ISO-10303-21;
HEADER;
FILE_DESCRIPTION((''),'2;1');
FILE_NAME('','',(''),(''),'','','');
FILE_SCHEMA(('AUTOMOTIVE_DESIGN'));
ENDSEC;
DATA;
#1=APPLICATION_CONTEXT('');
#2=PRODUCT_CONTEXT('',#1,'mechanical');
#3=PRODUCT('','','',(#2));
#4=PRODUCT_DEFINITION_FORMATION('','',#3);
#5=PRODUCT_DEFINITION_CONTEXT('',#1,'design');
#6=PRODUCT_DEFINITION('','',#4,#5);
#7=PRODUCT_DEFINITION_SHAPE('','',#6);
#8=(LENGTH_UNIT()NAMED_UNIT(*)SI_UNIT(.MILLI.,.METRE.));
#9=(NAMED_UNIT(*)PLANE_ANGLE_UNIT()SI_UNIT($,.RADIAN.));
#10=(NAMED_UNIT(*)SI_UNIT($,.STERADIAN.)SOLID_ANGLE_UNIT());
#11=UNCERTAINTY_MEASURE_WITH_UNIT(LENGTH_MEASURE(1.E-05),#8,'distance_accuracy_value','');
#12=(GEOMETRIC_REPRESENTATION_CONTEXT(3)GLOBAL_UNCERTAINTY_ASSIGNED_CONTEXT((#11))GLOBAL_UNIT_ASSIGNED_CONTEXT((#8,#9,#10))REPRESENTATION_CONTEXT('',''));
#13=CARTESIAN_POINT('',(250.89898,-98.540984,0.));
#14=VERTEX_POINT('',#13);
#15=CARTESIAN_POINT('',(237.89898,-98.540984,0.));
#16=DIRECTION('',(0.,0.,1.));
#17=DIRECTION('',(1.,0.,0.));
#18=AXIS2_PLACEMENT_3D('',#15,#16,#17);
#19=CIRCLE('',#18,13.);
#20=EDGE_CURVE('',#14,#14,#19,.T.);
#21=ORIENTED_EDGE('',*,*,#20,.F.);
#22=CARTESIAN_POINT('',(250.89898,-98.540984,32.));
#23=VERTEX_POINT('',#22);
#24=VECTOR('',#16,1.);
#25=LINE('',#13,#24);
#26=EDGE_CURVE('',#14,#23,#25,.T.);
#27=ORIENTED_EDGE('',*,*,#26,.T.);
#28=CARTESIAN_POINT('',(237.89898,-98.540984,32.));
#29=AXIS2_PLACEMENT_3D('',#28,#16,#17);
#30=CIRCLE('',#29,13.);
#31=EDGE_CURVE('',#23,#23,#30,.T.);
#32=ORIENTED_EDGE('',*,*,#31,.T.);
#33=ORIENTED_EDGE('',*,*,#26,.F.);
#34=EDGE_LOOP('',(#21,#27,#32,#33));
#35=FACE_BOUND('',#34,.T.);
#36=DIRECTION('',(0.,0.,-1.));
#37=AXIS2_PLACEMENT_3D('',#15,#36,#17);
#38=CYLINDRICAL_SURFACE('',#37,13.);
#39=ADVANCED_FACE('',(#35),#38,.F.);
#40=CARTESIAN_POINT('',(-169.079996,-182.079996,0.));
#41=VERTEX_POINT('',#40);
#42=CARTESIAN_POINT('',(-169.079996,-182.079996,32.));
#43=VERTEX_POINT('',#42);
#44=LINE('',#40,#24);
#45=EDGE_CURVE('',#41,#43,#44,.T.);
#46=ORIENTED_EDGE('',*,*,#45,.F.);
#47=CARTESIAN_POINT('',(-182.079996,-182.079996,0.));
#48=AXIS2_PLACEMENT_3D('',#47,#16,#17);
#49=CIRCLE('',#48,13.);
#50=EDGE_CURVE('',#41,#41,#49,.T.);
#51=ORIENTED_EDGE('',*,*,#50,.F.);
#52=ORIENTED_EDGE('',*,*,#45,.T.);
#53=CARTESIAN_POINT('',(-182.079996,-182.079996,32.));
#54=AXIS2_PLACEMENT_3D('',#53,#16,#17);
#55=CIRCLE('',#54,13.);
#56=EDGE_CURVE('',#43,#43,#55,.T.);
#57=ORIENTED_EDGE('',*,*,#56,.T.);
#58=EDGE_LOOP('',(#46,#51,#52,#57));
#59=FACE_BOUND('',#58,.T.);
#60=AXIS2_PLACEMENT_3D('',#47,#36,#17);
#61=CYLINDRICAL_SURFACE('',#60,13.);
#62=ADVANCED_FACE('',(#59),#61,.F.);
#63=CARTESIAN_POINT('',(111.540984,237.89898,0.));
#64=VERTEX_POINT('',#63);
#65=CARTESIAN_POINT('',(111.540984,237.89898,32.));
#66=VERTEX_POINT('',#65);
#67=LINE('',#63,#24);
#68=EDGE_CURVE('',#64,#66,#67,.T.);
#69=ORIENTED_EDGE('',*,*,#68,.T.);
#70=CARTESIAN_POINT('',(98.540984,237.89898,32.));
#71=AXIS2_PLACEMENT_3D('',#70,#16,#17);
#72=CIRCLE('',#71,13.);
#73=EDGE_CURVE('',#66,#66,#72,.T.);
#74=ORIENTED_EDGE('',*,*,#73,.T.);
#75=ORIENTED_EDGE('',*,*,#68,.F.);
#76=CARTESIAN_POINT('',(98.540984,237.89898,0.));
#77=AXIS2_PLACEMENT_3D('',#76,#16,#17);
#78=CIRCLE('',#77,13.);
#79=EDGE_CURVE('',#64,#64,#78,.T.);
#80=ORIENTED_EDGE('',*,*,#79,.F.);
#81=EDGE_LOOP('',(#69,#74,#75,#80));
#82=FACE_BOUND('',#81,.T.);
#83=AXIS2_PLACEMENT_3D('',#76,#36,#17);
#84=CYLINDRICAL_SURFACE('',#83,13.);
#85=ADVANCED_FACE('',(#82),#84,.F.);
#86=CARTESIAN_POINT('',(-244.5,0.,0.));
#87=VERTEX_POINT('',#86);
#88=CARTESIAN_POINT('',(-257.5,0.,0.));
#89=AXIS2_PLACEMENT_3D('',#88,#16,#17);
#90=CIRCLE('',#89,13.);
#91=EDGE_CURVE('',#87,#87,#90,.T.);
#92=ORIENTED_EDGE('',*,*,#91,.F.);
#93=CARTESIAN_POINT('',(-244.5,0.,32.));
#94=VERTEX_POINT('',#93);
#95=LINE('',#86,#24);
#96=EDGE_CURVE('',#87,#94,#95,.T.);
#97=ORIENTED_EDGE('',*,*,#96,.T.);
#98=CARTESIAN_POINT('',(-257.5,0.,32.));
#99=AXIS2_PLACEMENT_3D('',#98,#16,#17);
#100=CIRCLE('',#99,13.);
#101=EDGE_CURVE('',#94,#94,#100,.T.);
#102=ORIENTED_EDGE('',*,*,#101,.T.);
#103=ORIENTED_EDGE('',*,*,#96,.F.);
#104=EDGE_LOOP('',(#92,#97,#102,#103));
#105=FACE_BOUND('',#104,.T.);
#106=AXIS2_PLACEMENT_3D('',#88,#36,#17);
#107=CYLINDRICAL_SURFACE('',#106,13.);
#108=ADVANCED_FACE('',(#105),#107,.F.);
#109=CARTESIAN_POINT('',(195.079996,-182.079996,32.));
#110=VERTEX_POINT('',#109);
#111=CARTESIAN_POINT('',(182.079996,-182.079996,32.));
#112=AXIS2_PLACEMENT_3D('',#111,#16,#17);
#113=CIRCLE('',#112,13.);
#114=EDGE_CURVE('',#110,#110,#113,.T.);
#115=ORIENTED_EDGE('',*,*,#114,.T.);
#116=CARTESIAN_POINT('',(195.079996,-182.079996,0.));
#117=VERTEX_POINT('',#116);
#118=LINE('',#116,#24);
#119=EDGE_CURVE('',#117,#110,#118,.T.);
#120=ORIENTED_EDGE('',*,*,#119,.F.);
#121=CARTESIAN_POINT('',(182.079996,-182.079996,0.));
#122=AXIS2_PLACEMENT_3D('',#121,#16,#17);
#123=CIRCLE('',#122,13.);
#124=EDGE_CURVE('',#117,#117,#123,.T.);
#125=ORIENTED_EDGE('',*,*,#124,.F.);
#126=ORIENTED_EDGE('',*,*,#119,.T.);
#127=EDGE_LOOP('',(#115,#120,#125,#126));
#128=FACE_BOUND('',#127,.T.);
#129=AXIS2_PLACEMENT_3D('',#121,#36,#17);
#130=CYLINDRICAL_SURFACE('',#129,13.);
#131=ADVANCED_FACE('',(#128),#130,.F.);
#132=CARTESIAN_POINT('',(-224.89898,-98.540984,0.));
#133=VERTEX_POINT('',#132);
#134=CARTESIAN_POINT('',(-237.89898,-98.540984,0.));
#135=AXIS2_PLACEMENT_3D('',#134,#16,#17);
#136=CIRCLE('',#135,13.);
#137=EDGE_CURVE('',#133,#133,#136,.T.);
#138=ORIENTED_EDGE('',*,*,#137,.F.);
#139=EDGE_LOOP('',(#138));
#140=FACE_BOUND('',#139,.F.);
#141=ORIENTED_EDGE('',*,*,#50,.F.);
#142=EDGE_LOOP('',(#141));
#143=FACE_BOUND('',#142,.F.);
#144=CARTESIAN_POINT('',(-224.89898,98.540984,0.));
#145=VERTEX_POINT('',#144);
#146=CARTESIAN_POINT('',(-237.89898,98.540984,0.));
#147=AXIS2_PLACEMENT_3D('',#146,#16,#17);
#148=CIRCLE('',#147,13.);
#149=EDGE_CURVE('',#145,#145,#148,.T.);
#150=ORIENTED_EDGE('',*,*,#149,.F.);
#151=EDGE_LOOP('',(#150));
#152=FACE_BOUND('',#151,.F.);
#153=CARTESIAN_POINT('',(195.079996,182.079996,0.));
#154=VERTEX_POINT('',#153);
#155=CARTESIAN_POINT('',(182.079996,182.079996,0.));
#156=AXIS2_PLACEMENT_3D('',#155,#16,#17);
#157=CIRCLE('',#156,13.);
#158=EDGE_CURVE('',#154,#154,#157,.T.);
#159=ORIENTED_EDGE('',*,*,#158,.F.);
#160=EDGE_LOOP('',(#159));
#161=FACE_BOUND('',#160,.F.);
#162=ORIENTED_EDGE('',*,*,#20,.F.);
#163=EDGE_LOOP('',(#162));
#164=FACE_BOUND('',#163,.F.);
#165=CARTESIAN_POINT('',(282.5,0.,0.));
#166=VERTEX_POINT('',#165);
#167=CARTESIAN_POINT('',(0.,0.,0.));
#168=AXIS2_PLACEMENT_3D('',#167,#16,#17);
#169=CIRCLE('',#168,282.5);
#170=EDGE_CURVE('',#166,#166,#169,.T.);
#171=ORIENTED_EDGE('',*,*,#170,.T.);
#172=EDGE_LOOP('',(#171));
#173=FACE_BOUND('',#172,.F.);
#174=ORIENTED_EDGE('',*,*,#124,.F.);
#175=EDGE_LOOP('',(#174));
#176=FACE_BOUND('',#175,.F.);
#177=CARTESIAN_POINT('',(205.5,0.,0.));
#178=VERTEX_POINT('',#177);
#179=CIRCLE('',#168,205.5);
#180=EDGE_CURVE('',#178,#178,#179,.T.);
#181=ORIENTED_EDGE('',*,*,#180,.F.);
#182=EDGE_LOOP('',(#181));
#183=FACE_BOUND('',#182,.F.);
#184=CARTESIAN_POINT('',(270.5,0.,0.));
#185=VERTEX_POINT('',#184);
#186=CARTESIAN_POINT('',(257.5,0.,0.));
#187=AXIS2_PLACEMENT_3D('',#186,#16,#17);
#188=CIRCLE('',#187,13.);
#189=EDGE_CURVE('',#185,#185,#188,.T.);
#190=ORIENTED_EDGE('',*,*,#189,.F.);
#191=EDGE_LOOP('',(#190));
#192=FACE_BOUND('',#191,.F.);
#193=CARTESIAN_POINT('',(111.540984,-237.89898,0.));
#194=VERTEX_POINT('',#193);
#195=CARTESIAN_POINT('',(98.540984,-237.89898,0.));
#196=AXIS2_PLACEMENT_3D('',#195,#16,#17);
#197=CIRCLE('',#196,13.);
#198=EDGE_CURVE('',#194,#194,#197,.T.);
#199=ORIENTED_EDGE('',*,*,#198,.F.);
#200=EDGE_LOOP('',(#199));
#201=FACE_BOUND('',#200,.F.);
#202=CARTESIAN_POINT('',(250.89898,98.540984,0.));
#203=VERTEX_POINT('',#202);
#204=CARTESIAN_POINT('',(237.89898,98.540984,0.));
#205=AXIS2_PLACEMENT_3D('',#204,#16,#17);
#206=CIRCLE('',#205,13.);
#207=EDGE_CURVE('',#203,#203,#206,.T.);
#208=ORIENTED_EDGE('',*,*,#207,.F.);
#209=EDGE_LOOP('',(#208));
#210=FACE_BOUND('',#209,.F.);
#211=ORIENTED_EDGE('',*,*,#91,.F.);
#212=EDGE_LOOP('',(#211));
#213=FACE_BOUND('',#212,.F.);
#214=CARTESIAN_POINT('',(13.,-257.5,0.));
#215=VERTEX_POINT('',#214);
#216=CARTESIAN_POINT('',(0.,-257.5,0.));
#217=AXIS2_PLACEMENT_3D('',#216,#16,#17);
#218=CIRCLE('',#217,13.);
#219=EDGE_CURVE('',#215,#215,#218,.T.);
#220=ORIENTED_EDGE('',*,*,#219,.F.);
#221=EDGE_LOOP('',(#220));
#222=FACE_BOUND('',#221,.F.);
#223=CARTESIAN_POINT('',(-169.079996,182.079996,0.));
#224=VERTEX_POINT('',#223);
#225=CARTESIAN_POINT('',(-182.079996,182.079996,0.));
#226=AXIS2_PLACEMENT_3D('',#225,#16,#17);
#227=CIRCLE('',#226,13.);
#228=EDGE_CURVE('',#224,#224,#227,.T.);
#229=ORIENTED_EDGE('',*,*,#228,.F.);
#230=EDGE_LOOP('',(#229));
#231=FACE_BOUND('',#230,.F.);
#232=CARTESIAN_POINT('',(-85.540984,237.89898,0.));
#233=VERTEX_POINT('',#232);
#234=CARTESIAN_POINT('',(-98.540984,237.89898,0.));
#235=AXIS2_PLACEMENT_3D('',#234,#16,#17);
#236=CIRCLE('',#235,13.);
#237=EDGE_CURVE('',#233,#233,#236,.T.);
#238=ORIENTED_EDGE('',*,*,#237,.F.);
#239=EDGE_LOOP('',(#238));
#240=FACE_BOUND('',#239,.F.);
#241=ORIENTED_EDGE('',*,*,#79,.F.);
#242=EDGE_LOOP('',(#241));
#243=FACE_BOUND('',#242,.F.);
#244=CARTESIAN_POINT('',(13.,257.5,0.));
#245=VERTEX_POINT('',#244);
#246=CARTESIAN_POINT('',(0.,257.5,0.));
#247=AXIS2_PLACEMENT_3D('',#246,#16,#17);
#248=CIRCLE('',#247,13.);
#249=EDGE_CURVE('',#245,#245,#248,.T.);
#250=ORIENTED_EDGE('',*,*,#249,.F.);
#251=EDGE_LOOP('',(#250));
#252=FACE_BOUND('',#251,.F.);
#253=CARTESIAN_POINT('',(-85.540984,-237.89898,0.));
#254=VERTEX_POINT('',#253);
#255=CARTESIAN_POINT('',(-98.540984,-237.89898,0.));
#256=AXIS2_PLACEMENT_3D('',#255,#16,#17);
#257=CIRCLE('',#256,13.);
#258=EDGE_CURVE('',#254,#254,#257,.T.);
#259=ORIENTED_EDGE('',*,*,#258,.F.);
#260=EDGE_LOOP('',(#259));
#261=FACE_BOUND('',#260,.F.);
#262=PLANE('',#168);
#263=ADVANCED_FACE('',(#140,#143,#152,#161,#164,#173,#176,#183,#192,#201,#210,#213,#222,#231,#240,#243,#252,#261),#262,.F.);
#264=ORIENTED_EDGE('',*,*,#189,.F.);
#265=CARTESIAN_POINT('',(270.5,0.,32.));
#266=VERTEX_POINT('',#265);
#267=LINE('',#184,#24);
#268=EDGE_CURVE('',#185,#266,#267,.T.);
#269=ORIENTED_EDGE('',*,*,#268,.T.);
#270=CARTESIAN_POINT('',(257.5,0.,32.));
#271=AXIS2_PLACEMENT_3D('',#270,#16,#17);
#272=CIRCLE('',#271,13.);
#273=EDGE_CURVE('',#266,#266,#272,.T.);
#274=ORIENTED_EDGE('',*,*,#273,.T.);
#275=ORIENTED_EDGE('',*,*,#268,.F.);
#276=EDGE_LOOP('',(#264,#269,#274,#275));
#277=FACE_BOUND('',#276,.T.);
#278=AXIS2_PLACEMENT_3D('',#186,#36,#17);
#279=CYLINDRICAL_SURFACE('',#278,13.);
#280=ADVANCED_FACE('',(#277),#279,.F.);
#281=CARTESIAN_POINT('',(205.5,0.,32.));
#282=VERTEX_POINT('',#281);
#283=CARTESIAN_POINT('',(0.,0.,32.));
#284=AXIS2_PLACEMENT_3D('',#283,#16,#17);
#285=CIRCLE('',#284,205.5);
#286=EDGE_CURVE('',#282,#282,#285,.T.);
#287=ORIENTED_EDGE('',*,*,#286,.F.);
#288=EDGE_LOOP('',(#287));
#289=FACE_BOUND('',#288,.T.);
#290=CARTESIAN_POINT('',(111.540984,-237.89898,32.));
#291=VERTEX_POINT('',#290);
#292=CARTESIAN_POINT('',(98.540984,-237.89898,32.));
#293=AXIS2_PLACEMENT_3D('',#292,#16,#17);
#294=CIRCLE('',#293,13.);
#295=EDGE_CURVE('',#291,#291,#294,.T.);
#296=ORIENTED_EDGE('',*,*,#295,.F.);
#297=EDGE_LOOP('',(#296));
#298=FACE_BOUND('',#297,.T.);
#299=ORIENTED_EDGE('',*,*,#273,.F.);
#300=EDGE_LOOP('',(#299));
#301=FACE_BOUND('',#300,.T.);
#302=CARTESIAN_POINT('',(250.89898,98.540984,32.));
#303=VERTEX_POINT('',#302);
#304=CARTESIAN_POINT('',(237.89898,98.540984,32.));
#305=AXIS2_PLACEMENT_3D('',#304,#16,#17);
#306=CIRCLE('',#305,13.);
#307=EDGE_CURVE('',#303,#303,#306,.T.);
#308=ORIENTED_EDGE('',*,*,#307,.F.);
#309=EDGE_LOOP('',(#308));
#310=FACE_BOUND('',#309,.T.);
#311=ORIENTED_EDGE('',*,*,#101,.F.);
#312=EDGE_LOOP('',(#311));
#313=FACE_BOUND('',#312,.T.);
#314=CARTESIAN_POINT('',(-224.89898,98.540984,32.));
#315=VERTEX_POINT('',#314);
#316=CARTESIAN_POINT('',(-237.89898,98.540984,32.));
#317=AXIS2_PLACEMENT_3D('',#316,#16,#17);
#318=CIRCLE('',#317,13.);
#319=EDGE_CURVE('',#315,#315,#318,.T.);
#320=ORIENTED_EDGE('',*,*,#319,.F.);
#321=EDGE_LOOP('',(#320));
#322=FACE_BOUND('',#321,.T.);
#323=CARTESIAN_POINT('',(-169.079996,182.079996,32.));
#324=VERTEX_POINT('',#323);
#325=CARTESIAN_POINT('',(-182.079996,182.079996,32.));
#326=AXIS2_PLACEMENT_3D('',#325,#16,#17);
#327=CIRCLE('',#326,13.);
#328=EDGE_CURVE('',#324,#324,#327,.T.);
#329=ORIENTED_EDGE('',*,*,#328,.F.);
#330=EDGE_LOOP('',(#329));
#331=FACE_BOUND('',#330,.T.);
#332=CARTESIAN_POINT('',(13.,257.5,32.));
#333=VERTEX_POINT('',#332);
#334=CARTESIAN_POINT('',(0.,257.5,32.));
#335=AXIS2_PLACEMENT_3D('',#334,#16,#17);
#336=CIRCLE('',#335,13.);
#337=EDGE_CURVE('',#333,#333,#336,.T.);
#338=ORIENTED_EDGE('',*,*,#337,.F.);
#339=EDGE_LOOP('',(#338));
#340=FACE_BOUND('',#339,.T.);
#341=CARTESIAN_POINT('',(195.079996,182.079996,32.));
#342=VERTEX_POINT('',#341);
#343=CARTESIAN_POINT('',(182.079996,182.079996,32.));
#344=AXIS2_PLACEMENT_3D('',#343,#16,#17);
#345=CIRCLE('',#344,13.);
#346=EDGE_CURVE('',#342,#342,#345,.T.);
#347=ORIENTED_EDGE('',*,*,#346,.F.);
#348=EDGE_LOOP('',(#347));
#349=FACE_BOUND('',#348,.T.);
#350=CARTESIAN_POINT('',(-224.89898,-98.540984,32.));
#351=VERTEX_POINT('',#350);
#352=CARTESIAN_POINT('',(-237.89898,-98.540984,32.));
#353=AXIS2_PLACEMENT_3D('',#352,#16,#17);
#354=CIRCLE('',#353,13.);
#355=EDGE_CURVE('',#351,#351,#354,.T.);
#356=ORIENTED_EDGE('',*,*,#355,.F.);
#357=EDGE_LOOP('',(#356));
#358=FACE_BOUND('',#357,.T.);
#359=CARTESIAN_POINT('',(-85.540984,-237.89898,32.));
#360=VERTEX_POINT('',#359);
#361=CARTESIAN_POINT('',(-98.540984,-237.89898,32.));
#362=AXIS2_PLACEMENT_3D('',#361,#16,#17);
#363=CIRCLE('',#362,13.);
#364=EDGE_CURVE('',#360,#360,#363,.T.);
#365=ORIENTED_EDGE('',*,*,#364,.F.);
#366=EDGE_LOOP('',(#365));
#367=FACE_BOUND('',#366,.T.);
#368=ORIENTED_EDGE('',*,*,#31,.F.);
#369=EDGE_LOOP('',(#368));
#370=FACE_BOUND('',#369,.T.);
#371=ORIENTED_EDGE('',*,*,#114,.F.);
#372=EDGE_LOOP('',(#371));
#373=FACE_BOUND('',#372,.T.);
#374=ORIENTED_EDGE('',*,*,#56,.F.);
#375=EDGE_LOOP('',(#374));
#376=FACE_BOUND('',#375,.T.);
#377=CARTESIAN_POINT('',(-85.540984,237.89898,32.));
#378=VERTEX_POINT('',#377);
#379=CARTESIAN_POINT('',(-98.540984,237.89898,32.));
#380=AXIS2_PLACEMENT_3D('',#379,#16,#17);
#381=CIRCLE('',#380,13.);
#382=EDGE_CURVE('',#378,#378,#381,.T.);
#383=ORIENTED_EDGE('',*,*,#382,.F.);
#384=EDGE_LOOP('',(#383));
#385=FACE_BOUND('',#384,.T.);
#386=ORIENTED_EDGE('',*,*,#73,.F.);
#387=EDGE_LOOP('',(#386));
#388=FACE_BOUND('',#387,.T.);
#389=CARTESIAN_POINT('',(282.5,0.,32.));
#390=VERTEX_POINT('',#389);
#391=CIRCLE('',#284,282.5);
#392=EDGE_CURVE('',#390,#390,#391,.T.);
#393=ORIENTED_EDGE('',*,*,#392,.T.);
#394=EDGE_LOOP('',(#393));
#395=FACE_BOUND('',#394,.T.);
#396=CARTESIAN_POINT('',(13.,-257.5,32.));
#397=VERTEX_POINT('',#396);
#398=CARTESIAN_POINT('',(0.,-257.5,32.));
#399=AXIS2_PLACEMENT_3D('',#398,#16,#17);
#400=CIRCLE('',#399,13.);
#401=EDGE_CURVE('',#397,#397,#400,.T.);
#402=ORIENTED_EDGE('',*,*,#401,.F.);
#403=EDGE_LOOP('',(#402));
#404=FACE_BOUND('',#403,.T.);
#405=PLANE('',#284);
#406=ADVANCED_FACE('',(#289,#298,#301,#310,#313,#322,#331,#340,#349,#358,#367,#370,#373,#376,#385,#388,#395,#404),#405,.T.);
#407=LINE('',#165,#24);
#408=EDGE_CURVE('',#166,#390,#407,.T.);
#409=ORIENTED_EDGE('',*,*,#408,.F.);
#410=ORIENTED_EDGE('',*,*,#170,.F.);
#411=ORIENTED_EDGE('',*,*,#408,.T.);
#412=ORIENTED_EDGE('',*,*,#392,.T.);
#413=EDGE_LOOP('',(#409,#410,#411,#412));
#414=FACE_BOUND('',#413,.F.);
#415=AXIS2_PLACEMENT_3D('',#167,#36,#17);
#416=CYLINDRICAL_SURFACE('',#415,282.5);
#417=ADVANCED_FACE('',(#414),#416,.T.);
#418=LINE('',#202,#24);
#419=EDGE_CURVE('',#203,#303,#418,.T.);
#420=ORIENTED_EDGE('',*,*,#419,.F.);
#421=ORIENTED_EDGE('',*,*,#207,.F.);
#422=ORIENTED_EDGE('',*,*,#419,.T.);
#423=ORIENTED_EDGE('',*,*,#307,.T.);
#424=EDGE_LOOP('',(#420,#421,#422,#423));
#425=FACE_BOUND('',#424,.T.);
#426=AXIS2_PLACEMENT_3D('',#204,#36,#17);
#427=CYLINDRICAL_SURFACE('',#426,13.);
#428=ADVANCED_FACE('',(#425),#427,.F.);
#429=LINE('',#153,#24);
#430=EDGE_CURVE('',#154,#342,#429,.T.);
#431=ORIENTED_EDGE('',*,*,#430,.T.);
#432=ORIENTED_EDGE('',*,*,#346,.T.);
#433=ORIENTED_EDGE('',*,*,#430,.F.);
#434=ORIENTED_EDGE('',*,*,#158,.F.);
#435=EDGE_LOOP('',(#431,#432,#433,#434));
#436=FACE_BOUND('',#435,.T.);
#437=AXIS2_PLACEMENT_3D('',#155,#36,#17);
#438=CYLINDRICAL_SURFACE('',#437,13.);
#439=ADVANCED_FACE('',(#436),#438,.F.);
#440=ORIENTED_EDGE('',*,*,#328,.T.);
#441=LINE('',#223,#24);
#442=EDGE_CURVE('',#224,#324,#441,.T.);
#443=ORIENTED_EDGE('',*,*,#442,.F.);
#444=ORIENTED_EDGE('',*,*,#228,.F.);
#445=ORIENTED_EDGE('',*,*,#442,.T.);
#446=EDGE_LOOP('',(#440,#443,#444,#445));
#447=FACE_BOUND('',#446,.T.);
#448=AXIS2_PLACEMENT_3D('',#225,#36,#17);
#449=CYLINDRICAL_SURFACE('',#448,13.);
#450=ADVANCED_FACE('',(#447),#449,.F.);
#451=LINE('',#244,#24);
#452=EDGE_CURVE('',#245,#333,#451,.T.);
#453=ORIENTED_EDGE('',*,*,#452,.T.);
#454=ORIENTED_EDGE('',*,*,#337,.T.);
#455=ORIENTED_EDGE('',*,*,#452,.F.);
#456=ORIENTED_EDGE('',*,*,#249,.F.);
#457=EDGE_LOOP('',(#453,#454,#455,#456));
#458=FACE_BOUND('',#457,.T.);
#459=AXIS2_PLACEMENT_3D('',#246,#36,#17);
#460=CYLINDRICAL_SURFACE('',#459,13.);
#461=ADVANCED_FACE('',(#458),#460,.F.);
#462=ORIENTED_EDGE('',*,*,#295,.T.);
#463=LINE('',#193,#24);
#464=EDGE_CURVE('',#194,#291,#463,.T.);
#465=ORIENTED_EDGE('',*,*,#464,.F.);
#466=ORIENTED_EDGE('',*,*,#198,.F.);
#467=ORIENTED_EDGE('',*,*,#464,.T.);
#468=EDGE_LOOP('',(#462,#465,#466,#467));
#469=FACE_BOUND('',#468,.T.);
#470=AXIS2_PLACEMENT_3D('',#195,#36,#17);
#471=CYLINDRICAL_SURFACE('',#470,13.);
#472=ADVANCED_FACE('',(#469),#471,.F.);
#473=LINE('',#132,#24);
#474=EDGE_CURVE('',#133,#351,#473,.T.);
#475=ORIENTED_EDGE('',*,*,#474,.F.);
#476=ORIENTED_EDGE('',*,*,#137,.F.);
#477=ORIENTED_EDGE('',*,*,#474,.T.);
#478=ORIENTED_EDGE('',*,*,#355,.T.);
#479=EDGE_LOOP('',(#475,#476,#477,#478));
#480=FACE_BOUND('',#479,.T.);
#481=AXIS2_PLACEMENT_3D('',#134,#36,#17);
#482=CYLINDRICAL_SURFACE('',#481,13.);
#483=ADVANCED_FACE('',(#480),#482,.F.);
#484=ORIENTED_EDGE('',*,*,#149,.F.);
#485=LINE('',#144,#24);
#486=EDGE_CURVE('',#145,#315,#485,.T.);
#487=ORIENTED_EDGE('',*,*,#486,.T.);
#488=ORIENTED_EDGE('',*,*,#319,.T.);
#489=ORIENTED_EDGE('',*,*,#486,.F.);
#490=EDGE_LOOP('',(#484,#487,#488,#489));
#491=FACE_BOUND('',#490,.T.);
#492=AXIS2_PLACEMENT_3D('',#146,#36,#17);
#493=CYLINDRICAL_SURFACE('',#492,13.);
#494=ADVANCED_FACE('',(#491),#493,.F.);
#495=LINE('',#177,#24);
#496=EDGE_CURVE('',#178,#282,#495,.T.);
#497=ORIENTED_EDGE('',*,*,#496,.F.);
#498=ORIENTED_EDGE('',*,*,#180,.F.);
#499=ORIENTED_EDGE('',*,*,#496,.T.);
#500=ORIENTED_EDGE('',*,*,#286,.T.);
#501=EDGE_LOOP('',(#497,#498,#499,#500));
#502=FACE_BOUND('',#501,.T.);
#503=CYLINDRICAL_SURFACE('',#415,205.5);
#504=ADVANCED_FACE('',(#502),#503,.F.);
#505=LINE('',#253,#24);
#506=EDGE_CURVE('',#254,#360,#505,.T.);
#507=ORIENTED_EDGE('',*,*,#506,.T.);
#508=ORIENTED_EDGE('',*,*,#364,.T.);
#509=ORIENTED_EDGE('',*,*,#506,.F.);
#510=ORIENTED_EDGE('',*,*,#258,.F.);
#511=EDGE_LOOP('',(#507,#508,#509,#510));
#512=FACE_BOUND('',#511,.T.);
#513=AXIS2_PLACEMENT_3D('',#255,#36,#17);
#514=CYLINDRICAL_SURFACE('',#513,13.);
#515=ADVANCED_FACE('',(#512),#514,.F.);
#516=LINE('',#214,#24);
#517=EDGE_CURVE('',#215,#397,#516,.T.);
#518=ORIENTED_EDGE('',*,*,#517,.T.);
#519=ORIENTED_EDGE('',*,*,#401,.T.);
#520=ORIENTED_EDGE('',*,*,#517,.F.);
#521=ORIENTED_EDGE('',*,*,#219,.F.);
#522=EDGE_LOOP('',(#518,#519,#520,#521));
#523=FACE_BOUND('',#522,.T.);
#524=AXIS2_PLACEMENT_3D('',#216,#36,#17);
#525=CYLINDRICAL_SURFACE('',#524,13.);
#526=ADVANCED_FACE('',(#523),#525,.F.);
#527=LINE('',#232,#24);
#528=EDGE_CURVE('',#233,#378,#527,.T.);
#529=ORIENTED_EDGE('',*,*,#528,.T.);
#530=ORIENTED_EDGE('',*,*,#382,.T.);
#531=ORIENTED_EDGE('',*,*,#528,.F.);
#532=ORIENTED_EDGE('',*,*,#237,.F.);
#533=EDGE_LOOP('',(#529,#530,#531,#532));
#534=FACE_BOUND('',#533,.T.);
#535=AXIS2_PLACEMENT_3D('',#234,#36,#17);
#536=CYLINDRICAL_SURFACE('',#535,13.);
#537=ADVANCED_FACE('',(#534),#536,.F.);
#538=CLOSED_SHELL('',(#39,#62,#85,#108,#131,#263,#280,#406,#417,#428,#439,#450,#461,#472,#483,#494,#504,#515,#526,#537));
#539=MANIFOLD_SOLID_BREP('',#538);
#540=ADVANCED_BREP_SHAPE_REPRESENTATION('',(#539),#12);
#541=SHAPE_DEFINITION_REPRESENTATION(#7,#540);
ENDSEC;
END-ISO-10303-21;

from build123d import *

# Parameters (mm, degrees)
F0_R     = 282.5
F0_R_2   = 13
F0_R_3   = 205.5
F1_DEPTH = 32


with BuildPart() as f1:
    # F0 (on Top) → F1 (new body)
    with BuildSketch(Plane.XY):
        Circle(F0_R)
        with Locations((-182.079996, -182.079996)):
            Circle(F0_R_2, mode=Mode.SUBTRACT)
        with Locations((-98.540984, -237.89898)):
            Circle(F0_R_2, mode=Mode.SUBTRACT)
        with Locations((-237.89898, -98.540984)):
            Circle(F0_R_2, mode=Mode.SUBTRACT)
        with Locations((0, -257.5)):
            Circle(F0_R_2, mode=Mode.SUBTRACT)
        with Locations((98.540984, -237.89898)):
            Circle(F0_R_2, mode=Mode.SUBTRACT)
        with Locations((182.079996, -182.079996)):
            Circle(F0_R_2, mode=Mode.SUBTRACT)
        with Locations((237.89898, -98.540984)):
            Circle(F0_R_2, mode=Mode.SUBTRACT)
        with Locations((-257.5, 0)):
            Circle(F0_R_2, mode=Mode.SUBTRACT)
        with Locations((-237.89898, 98.540984)):
            Circle(F0_R_2, mode=Mode.SUBTRACT)
        with Locations((-182.079996, 182.079996)):
            Circle(F0_R_2, mode=Mode.SUBTRACT)
        with Locations((-98.540984, 237.89898)):
            Circle(F0_R_2, mode=Mode.SUBTRACT)
        Circle(F0_R_3, mode=Mode.SUBTRACT)
        with Locations((257.5, 0)):
            Circle(F0_R_2, mode=Mode.SUBTRACT)
        with Locations((237.89898, 98.540984)):
            Circle(F0_R_2, mode=Mode.SUBTRACT)
        with Locations((0, 257.5)):
            Circle(F0_R_2, mode=Mode.SUBTRACT)
        with Locations((98.540984, 237.89898)):
            Circle(F0_R_2, mode=Mode.SUBTRACT)
        with Locations((182.079996, 182.079996)):
            Circle(F0_R_2, mode=Mode.SUBTRACT)
    extrude(amount=F1_DEPTH)


solid = f1.part
